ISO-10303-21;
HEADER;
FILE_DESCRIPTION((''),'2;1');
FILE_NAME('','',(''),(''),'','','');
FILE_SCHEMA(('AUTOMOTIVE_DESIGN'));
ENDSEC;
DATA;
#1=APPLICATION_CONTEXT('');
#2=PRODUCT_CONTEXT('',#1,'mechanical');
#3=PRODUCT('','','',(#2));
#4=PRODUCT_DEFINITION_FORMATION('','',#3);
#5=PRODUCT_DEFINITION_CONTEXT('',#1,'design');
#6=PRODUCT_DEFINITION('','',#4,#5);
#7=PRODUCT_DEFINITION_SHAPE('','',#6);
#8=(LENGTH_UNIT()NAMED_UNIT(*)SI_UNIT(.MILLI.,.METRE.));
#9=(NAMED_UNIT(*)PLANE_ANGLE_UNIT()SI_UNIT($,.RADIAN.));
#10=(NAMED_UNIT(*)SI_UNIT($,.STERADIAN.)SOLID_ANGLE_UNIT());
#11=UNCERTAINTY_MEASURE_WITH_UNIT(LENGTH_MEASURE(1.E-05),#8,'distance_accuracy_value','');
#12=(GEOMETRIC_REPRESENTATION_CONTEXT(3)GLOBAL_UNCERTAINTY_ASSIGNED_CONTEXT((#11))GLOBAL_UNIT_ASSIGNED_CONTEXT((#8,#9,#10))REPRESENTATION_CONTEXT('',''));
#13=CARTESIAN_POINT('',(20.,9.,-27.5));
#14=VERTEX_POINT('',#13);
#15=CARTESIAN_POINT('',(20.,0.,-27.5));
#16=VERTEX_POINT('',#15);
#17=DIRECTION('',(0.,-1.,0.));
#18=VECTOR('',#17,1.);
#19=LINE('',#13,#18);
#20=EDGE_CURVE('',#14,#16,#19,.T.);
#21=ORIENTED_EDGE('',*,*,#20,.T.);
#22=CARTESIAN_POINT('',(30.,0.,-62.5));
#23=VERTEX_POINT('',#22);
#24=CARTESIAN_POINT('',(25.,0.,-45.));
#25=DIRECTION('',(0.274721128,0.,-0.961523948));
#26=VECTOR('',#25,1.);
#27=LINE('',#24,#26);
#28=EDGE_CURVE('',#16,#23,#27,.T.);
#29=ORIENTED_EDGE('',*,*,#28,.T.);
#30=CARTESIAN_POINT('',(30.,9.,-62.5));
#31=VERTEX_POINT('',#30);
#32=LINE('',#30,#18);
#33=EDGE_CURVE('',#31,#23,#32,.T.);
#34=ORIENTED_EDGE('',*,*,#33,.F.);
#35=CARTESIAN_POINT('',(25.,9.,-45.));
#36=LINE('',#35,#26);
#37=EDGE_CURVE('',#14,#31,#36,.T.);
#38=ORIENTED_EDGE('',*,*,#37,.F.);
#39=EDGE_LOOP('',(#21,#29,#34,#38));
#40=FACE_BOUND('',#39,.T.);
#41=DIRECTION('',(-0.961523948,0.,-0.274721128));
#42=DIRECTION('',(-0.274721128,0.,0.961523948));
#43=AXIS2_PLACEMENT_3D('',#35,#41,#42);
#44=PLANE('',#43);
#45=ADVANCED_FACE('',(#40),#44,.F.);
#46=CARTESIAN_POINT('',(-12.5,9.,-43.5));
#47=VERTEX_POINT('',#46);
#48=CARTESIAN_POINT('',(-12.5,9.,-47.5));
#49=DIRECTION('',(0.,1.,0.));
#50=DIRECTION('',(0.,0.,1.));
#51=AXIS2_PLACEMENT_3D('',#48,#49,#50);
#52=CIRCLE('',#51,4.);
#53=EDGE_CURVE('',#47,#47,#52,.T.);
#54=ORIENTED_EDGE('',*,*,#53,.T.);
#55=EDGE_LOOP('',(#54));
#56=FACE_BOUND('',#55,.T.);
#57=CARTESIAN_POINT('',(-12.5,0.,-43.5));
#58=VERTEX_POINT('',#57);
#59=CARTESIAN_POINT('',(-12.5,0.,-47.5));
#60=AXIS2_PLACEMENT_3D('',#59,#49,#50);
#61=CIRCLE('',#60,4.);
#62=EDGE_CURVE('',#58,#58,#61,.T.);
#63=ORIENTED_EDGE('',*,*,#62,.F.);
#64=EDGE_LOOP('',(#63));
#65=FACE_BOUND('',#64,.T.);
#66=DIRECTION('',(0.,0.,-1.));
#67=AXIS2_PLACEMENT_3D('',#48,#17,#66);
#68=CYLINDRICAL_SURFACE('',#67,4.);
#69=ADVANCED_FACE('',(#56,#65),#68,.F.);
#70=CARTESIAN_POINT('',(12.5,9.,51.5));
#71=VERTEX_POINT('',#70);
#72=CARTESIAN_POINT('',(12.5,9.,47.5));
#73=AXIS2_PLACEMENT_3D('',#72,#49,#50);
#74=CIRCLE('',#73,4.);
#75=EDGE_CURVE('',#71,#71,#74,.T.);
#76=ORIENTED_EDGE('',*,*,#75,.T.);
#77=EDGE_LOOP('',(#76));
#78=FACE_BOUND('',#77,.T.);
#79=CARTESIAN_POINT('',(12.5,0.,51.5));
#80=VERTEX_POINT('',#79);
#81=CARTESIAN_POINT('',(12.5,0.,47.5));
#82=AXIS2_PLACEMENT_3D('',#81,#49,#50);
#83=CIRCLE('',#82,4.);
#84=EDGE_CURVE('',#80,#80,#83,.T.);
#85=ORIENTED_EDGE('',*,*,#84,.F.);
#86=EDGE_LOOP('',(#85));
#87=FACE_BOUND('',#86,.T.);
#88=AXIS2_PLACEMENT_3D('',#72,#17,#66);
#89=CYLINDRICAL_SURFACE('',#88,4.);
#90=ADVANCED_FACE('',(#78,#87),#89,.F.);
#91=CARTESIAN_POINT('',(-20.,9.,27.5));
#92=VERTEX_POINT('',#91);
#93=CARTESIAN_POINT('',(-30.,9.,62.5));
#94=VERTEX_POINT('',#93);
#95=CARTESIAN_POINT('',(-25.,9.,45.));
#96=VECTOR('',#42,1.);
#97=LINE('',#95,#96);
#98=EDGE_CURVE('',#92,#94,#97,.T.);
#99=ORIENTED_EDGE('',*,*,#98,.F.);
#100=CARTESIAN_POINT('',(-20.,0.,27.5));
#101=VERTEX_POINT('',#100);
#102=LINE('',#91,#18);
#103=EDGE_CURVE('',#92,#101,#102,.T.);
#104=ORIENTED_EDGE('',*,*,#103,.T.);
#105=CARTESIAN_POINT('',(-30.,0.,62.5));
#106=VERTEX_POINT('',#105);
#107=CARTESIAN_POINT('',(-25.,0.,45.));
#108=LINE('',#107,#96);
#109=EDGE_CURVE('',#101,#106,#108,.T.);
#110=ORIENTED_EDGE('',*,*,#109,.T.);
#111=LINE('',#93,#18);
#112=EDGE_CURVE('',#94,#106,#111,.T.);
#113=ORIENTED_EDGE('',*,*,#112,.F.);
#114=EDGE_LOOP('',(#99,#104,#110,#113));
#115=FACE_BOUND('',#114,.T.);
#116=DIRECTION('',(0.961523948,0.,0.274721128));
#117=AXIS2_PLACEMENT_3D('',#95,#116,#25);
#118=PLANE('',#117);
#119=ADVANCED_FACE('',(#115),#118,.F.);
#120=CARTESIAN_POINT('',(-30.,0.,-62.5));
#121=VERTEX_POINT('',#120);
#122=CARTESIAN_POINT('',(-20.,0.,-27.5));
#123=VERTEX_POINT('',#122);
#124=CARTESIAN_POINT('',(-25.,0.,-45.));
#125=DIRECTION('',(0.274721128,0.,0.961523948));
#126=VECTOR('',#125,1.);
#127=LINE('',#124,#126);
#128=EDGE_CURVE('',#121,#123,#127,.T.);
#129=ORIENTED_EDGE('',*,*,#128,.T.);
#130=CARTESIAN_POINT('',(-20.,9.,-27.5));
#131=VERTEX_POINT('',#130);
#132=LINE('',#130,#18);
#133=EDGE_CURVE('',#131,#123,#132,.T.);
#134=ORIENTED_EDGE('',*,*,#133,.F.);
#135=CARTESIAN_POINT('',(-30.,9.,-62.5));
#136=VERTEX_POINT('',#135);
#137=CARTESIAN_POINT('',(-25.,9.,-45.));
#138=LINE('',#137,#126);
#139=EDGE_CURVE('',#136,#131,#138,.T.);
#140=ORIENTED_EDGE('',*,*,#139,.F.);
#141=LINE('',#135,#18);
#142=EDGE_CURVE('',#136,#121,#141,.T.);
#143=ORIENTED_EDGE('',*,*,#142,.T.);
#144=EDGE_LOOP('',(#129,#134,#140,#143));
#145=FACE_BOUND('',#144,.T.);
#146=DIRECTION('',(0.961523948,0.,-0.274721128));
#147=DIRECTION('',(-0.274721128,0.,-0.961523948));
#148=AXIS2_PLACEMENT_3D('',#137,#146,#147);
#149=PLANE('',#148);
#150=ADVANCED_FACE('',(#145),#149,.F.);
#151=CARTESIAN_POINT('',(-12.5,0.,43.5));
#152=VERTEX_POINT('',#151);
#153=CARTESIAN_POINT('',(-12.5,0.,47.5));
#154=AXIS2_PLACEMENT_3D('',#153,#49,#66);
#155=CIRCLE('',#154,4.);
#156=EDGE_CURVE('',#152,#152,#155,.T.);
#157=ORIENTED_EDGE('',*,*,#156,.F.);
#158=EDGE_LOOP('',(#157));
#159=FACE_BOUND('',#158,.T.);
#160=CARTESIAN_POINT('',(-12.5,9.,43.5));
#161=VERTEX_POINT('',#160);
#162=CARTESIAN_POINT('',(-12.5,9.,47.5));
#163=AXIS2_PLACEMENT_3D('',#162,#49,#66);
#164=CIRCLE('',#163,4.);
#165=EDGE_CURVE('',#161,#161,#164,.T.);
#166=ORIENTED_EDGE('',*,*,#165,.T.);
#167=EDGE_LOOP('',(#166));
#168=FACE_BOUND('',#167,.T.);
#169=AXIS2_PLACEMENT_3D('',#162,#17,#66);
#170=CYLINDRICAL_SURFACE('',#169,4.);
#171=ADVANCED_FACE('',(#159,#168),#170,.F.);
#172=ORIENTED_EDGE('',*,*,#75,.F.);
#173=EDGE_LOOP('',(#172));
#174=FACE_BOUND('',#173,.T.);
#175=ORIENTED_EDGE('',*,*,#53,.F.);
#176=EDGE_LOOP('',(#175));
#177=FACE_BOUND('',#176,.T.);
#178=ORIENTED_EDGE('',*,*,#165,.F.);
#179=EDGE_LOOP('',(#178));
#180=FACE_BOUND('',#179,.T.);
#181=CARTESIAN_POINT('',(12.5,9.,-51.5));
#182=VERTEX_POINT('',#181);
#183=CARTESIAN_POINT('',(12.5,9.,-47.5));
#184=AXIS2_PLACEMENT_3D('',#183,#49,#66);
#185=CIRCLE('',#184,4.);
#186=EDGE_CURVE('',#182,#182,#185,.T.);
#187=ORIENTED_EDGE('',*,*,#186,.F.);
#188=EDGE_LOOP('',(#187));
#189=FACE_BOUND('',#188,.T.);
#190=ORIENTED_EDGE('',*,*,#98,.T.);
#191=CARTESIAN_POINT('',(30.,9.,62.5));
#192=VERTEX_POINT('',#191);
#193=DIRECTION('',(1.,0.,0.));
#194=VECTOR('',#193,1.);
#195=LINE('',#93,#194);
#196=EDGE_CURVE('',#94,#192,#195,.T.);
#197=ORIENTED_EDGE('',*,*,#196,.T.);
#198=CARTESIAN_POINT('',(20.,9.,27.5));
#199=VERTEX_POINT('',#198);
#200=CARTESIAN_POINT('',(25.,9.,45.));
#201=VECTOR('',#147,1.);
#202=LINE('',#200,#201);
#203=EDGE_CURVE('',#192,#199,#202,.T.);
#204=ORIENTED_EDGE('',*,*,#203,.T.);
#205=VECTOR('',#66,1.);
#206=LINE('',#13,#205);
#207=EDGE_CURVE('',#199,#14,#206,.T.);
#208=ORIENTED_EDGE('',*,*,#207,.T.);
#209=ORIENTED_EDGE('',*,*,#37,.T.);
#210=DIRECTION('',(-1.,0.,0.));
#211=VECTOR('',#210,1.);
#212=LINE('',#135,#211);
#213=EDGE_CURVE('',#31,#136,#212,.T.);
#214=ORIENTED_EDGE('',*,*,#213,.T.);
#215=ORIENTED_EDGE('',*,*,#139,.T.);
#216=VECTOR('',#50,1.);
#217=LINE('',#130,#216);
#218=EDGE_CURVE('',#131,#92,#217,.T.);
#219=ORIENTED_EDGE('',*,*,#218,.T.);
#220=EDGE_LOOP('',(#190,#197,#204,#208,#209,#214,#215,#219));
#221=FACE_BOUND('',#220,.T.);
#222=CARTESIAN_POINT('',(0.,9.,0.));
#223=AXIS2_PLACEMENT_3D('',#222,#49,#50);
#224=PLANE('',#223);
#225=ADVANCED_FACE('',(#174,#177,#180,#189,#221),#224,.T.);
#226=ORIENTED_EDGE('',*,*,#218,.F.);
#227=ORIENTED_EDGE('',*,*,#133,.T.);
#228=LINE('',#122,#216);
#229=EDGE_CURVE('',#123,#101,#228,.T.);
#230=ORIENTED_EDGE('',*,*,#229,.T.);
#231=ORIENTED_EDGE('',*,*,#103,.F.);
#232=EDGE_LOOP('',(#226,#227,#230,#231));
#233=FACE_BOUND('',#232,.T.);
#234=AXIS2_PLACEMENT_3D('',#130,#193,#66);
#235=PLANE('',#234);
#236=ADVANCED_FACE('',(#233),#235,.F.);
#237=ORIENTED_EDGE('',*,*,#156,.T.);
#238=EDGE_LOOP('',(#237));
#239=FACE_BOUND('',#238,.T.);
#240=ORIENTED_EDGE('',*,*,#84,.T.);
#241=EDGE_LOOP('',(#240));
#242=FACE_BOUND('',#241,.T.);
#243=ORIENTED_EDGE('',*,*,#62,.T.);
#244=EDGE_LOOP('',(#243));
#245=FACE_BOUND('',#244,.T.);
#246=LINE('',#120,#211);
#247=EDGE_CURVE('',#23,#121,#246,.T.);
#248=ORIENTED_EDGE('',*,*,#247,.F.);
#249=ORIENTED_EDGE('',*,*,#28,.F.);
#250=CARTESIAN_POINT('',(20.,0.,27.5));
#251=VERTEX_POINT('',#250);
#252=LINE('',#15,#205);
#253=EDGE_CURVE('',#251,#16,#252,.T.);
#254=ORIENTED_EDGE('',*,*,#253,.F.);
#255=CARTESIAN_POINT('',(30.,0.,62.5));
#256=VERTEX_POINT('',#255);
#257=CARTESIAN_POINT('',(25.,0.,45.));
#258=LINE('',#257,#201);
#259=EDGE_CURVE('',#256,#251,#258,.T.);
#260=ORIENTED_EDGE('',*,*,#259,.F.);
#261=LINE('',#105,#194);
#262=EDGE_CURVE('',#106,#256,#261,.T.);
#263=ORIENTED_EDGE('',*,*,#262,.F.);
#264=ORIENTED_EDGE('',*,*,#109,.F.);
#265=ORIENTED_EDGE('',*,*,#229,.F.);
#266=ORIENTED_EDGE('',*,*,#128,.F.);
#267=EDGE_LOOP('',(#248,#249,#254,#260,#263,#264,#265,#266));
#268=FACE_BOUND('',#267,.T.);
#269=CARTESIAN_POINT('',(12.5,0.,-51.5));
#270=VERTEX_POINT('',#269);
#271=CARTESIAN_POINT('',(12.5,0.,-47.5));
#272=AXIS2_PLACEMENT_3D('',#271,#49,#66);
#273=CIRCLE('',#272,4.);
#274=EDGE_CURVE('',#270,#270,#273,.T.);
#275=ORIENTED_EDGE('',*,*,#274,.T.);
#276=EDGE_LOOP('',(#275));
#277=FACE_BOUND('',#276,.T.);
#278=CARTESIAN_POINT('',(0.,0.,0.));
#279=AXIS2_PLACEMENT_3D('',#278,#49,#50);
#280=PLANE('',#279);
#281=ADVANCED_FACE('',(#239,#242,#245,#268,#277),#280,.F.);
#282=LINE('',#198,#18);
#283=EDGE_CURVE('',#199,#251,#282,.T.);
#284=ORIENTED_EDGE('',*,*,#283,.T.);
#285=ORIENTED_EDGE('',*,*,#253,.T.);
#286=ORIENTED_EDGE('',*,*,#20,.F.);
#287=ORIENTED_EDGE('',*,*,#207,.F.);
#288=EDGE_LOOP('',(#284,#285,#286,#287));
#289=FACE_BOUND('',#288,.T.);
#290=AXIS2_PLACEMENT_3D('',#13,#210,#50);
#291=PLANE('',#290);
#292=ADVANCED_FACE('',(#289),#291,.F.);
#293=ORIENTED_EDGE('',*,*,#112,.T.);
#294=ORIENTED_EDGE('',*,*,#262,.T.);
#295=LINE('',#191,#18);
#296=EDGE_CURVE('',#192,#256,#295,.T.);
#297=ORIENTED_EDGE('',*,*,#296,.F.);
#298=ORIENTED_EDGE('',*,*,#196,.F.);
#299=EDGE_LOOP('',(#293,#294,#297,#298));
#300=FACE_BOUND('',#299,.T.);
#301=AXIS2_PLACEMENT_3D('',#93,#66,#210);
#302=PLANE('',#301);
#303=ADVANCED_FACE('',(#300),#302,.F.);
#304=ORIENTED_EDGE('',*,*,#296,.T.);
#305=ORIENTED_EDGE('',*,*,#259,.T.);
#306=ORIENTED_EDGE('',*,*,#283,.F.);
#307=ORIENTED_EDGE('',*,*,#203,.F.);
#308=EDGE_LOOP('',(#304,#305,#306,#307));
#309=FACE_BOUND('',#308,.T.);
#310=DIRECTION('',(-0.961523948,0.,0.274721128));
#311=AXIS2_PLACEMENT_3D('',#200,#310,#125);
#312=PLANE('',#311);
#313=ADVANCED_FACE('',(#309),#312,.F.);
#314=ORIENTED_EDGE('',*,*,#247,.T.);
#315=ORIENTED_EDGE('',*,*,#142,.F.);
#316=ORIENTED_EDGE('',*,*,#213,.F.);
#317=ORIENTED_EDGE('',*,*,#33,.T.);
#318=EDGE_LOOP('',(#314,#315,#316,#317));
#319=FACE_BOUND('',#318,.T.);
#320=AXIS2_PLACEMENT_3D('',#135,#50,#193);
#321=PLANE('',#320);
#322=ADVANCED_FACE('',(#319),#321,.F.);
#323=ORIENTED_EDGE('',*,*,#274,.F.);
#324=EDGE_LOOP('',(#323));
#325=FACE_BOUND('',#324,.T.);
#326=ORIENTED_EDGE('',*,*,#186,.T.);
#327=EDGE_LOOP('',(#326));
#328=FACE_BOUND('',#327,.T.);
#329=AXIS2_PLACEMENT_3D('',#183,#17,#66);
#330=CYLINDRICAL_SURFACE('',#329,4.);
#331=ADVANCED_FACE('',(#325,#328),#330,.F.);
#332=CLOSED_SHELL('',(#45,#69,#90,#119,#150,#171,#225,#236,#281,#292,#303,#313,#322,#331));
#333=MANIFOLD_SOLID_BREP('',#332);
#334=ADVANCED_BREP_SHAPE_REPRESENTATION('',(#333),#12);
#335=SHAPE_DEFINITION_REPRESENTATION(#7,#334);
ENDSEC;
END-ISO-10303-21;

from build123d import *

# Parameters (mm, degrees)
SKETCH1_R           = 4
BOSS_EXTRUDE1_DEPTH = 9


with BuildPart() as part:
    # Sketch1 → Boss-Extrude1 (new body)
    with BuildSketch(Plane(origin=(0, 0, 0), x_dir=(1, 0, 0), z_dir=(0, 1, 0))):
        Polygon((-25, 45), (-30, 62.5), (30, 62.5), (25, 45), (20, 27.5), (20, -27.5), (25, -45), (30, -62.5), (-30, -62.5), (-25, -45), (-20, -27.5), (-20, 27.5), align=None)
        with Locations(Location((-12.5, 47.5, 0), (0, 0, 270))):
            Circle(SKETCH1_R, mode=Mode.SUBTRACT)
        with Locations(Location((12.5, 47.5, 0), (0, 0, 90))):
            Circle(SKETCH1_R, mode=Mode.SUBTRACT)
        with Locations(Location((12.5, -47.5, 0), (0, 0, 270))):
            Circle(SKETCH1_R, mode=Mode.SUBTRACT)
        with Locations(Location((-12.5, -47.5, 0), (0, 0, 90))):
            Circle(SKETCH1_R, mode=Mode.SUBTRACT)
    extrude(amount=BOSS_EXTRUDE1_DEPTH)


solid = part.part
